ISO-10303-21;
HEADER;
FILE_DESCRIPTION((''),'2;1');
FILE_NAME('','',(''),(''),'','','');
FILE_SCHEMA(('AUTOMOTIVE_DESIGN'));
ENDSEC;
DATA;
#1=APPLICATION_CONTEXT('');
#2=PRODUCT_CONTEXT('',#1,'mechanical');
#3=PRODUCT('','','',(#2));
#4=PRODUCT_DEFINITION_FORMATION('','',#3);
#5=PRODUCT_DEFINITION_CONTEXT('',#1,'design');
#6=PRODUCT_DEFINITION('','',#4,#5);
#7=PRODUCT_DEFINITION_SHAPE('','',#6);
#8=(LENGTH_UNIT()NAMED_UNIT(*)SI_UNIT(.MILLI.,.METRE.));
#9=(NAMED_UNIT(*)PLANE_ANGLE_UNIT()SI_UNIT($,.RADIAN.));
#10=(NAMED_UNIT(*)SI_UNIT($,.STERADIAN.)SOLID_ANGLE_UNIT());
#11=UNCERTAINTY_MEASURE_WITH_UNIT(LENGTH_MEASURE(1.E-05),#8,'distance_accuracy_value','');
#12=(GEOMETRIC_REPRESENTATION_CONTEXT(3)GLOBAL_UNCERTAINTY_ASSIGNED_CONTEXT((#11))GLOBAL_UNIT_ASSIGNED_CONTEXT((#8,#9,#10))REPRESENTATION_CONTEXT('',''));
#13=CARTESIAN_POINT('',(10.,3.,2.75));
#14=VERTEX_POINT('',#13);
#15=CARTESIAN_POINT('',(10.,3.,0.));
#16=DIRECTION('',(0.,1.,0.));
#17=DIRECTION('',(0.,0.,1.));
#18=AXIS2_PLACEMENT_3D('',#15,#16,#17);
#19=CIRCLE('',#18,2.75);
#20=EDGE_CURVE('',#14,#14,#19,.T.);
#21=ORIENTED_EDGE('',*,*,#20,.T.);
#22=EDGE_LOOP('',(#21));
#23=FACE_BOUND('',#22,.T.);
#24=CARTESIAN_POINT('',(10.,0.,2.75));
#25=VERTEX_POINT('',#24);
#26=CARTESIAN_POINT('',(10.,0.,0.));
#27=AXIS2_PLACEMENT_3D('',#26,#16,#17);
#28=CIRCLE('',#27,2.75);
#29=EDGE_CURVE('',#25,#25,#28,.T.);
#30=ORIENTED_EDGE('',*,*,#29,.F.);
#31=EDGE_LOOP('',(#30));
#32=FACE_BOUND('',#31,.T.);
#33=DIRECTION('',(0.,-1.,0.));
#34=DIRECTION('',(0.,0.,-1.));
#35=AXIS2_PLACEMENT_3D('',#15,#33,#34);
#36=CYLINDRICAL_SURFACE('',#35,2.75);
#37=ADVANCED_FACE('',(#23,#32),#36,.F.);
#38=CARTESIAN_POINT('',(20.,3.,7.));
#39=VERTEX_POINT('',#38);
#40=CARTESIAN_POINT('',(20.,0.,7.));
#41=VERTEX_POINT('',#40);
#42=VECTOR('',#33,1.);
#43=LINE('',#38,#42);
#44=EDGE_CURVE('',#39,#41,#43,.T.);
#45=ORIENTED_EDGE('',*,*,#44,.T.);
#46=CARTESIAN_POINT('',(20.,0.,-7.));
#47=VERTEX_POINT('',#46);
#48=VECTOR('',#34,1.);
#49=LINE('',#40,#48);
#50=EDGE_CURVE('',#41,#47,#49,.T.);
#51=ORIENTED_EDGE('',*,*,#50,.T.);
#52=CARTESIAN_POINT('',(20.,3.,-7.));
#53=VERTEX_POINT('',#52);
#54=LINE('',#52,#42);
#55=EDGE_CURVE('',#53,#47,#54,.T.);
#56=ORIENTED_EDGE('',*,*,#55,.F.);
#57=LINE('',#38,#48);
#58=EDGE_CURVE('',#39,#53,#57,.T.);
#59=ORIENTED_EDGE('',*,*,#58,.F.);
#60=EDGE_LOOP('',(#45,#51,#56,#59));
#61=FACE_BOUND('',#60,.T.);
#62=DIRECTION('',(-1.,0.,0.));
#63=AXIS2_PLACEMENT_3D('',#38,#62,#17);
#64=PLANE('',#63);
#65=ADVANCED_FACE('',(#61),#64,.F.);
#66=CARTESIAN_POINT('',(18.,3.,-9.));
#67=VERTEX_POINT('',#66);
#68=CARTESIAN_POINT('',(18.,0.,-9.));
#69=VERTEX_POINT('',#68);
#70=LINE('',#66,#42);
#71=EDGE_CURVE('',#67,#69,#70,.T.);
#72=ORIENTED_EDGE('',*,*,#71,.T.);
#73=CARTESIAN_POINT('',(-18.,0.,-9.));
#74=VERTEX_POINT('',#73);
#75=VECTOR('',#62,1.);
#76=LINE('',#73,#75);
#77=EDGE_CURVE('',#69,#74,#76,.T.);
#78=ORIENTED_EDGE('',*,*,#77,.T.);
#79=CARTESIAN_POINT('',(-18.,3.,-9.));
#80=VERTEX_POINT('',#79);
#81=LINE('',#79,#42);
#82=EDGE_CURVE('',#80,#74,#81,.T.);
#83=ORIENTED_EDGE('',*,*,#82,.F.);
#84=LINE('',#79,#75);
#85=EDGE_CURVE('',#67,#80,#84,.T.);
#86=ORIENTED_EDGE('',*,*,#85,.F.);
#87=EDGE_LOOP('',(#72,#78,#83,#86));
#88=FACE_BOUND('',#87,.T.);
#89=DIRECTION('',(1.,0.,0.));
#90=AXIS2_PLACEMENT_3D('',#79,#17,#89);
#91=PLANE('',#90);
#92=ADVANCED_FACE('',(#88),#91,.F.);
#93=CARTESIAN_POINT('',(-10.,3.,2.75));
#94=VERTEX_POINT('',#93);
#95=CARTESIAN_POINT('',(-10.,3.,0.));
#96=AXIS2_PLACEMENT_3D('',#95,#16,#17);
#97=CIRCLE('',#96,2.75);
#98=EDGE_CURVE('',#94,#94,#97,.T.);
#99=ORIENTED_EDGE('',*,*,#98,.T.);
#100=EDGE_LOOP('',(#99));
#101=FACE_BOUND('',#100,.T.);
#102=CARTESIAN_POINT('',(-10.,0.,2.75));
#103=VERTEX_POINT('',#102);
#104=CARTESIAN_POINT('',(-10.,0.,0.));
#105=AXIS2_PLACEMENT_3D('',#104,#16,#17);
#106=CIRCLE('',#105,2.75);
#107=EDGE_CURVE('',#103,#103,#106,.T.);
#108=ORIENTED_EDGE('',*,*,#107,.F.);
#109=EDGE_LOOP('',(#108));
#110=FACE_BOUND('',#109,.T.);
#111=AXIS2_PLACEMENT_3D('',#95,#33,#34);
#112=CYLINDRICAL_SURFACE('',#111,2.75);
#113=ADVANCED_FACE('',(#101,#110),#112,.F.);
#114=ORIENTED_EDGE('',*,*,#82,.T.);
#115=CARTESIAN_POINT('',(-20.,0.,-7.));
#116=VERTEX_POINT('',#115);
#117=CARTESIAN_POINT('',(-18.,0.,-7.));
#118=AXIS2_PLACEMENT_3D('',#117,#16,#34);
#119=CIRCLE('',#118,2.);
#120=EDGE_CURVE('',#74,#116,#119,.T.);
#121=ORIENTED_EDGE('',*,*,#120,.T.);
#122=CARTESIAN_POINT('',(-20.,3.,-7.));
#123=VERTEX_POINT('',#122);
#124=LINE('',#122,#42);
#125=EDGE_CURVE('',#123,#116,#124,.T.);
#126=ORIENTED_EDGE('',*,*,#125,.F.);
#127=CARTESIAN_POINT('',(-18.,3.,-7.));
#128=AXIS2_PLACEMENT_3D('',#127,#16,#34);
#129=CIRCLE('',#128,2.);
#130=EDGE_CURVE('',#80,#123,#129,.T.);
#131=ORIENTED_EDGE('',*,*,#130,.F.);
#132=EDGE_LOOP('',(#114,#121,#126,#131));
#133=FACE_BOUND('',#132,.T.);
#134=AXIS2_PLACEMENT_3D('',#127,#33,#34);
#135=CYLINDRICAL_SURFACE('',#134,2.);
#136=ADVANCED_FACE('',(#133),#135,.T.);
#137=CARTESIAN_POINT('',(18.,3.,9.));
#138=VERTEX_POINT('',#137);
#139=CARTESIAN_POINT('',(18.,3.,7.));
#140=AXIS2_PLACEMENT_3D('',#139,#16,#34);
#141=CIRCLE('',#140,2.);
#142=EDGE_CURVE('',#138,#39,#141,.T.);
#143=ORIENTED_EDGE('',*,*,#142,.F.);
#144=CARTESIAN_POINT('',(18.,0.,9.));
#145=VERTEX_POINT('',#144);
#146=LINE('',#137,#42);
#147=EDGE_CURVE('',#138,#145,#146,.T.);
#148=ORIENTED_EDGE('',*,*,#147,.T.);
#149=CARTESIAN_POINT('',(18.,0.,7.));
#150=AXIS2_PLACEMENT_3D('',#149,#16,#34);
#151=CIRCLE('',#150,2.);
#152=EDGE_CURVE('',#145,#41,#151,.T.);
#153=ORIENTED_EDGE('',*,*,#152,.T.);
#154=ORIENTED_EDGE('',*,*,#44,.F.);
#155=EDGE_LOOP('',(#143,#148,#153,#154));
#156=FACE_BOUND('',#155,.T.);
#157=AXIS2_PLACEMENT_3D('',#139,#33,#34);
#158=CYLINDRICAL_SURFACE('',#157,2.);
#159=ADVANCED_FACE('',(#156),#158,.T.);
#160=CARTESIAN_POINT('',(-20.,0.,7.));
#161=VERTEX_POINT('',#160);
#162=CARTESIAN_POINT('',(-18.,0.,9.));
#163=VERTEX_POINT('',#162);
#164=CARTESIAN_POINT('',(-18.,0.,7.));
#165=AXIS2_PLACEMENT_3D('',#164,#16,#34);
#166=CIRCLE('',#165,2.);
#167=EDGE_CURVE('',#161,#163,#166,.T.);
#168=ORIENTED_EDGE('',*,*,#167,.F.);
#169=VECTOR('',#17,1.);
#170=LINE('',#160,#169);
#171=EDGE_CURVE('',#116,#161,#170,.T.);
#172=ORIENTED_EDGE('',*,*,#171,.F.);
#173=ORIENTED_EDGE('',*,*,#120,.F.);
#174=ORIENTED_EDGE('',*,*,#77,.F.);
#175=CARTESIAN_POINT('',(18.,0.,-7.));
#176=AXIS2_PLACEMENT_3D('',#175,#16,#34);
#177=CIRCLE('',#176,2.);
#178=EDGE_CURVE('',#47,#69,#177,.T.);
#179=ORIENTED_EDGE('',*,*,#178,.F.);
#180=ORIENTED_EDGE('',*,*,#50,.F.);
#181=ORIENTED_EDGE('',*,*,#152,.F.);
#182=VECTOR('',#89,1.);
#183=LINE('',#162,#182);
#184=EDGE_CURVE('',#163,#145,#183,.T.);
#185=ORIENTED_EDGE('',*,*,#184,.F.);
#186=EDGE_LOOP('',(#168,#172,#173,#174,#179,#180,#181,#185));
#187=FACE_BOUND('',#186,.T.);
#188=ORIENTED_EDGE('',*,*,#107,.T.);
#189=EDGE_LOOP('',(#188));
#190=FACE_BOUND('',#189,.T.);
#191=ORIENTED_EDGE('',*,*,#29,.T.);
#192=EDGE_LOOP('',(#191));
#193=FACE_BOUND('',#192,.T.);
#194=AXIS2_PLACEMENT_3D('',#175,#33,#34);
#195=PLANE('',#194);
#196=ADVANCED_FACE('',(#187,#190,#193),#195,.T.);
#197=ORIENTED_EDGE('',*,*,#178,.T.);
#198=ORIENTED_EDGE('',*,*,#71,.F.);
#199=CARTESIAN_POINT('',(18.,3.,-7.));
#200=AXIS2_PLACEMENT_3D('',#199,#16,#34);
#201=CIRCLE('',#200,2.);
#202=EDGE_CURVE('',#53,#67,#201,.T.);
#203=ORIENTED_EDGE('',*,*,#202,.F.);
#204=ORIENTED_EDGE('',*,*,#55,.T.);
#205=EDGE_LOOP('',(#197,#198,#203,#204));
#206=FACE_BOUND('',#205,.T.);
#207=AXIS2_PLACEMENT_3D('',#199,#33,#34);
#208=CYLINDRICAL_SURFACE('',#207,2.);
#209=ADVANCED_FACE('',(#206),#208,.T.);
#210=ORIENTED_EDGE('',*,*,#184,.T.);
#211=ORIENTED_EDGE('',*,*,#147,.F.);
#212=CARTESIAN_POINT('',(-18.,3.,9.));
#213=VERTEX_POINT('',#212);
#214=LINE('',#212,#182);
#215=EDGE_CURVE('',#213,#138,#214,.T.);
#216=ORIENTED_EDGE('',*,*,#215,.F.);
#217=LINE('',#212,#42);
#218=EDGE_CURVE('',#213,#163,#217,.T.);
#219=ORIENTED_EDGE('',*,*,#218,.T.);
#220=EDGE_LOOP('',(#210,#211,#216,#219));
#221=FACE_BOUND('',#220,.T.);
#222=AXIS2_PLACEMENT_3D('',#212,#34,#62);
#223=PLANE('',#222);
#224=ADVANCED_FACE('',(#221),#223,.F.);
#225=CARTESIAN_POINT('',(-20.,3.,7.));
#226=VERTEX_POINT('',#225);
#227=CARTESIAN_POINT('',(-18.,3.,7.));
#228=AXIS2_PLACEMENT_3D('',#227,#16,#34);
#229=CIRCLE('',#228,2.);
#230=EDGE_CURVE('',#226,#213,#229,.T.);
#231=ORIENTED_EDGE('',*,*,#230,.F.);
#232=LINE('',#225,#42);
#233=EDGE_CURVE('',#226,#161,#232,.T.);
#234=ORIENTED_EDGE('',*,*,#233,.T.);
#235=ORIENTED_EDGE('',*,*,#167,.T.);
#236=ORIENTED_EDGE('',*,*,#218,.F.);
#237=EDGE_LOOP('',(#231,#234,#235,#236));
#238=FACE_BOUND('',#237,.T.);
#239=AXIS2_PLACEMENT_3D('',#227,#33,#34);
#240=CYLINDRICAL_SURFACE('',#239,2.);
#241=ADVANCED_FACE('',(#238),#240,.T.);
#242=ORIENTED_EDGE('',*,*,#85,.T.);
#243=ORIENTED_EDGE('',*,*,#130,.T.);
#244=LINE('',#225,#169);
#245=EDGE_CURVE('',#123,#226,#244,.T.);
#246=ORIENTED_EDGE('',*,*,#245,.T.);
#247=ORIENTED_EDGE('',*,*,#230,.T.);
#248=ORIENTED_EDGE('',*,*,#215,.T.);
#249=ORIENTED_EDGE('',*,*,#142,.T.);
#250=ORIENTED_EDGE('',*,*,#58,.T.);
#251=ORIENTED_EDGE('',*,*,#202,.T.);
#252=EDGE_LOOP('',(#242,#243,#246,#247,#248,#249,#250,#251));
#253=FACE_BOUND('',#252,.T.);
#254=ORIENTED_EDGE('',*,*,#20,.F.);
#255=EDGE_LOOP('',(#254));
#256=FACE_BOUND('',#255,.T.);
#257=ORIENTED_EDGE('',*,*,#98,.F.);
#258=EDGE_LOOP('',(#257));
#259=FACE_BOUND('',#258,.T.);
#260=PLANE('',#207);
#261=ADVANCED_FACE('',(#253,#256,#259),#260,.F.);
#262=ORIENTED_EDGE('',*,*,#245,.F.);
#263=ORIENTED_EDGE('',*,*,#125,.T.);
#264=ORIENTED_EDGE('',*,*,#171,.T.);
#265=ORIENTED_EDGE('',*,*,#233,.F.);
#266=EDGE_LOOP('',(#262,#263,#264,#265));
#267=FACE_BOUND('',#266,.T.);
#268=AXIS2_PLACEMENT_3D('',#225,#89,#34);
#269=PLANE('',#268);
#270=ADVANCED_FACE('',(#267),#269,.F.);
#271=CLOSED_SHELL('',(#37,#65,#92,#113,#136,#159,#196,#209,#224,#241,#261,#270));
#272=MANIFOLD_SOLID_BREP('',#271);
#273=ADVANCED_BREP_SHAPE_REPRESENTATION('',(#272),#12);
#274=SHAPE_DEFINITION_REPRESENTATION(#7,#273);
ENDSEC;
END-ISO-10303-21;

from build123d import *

# Parameters (mm, degrees)
SKETCH_1_R      = 2.75
EXTRUDE_1_DEPTH = 3


with BuildPart() as part:
    # 草图1 → 凸台-拉伸1 (new body)
    with BuildSketch(Plane(origin=(0, 0, 0), x_dir=(1, 0, 0), z_dir=(0, 1, 0))):
        with BuildLine():
            Line((-18, -9), (18, -9))
            ThreePointArc((18, -9), (19.414213562, -8.414213562), (20, -7))
            Line((20, -7), (20, 7))
            ThreePointArc((20, 7), (19.414213562, 8.414213562), (18, 9))
            Line((18, 9), (-18, 9))
            ThreePointArc((-18, 9), (-19.414213562, 8.414213562), (-20, 7))
            Line((-20, 7), (-20, -7))
            ThreePointArc((-20, -7), (-19.414213562, -8.414213562), (-18, -9))
        make_face()
        with Locations(Location((-10, 0, 0), (0, 0, 270))):
            Circle(SKETCH_1_R, mode=Mode.SUBTRACT)
        with Locations(Location((10, 0, 0), (0, 0, 270))):
            Circle(SKETCH_1_R, mode=Mode.SUBTRACT)
    extrude(amount=EXTRUDE_1_DEPTH)


solid = part.part
